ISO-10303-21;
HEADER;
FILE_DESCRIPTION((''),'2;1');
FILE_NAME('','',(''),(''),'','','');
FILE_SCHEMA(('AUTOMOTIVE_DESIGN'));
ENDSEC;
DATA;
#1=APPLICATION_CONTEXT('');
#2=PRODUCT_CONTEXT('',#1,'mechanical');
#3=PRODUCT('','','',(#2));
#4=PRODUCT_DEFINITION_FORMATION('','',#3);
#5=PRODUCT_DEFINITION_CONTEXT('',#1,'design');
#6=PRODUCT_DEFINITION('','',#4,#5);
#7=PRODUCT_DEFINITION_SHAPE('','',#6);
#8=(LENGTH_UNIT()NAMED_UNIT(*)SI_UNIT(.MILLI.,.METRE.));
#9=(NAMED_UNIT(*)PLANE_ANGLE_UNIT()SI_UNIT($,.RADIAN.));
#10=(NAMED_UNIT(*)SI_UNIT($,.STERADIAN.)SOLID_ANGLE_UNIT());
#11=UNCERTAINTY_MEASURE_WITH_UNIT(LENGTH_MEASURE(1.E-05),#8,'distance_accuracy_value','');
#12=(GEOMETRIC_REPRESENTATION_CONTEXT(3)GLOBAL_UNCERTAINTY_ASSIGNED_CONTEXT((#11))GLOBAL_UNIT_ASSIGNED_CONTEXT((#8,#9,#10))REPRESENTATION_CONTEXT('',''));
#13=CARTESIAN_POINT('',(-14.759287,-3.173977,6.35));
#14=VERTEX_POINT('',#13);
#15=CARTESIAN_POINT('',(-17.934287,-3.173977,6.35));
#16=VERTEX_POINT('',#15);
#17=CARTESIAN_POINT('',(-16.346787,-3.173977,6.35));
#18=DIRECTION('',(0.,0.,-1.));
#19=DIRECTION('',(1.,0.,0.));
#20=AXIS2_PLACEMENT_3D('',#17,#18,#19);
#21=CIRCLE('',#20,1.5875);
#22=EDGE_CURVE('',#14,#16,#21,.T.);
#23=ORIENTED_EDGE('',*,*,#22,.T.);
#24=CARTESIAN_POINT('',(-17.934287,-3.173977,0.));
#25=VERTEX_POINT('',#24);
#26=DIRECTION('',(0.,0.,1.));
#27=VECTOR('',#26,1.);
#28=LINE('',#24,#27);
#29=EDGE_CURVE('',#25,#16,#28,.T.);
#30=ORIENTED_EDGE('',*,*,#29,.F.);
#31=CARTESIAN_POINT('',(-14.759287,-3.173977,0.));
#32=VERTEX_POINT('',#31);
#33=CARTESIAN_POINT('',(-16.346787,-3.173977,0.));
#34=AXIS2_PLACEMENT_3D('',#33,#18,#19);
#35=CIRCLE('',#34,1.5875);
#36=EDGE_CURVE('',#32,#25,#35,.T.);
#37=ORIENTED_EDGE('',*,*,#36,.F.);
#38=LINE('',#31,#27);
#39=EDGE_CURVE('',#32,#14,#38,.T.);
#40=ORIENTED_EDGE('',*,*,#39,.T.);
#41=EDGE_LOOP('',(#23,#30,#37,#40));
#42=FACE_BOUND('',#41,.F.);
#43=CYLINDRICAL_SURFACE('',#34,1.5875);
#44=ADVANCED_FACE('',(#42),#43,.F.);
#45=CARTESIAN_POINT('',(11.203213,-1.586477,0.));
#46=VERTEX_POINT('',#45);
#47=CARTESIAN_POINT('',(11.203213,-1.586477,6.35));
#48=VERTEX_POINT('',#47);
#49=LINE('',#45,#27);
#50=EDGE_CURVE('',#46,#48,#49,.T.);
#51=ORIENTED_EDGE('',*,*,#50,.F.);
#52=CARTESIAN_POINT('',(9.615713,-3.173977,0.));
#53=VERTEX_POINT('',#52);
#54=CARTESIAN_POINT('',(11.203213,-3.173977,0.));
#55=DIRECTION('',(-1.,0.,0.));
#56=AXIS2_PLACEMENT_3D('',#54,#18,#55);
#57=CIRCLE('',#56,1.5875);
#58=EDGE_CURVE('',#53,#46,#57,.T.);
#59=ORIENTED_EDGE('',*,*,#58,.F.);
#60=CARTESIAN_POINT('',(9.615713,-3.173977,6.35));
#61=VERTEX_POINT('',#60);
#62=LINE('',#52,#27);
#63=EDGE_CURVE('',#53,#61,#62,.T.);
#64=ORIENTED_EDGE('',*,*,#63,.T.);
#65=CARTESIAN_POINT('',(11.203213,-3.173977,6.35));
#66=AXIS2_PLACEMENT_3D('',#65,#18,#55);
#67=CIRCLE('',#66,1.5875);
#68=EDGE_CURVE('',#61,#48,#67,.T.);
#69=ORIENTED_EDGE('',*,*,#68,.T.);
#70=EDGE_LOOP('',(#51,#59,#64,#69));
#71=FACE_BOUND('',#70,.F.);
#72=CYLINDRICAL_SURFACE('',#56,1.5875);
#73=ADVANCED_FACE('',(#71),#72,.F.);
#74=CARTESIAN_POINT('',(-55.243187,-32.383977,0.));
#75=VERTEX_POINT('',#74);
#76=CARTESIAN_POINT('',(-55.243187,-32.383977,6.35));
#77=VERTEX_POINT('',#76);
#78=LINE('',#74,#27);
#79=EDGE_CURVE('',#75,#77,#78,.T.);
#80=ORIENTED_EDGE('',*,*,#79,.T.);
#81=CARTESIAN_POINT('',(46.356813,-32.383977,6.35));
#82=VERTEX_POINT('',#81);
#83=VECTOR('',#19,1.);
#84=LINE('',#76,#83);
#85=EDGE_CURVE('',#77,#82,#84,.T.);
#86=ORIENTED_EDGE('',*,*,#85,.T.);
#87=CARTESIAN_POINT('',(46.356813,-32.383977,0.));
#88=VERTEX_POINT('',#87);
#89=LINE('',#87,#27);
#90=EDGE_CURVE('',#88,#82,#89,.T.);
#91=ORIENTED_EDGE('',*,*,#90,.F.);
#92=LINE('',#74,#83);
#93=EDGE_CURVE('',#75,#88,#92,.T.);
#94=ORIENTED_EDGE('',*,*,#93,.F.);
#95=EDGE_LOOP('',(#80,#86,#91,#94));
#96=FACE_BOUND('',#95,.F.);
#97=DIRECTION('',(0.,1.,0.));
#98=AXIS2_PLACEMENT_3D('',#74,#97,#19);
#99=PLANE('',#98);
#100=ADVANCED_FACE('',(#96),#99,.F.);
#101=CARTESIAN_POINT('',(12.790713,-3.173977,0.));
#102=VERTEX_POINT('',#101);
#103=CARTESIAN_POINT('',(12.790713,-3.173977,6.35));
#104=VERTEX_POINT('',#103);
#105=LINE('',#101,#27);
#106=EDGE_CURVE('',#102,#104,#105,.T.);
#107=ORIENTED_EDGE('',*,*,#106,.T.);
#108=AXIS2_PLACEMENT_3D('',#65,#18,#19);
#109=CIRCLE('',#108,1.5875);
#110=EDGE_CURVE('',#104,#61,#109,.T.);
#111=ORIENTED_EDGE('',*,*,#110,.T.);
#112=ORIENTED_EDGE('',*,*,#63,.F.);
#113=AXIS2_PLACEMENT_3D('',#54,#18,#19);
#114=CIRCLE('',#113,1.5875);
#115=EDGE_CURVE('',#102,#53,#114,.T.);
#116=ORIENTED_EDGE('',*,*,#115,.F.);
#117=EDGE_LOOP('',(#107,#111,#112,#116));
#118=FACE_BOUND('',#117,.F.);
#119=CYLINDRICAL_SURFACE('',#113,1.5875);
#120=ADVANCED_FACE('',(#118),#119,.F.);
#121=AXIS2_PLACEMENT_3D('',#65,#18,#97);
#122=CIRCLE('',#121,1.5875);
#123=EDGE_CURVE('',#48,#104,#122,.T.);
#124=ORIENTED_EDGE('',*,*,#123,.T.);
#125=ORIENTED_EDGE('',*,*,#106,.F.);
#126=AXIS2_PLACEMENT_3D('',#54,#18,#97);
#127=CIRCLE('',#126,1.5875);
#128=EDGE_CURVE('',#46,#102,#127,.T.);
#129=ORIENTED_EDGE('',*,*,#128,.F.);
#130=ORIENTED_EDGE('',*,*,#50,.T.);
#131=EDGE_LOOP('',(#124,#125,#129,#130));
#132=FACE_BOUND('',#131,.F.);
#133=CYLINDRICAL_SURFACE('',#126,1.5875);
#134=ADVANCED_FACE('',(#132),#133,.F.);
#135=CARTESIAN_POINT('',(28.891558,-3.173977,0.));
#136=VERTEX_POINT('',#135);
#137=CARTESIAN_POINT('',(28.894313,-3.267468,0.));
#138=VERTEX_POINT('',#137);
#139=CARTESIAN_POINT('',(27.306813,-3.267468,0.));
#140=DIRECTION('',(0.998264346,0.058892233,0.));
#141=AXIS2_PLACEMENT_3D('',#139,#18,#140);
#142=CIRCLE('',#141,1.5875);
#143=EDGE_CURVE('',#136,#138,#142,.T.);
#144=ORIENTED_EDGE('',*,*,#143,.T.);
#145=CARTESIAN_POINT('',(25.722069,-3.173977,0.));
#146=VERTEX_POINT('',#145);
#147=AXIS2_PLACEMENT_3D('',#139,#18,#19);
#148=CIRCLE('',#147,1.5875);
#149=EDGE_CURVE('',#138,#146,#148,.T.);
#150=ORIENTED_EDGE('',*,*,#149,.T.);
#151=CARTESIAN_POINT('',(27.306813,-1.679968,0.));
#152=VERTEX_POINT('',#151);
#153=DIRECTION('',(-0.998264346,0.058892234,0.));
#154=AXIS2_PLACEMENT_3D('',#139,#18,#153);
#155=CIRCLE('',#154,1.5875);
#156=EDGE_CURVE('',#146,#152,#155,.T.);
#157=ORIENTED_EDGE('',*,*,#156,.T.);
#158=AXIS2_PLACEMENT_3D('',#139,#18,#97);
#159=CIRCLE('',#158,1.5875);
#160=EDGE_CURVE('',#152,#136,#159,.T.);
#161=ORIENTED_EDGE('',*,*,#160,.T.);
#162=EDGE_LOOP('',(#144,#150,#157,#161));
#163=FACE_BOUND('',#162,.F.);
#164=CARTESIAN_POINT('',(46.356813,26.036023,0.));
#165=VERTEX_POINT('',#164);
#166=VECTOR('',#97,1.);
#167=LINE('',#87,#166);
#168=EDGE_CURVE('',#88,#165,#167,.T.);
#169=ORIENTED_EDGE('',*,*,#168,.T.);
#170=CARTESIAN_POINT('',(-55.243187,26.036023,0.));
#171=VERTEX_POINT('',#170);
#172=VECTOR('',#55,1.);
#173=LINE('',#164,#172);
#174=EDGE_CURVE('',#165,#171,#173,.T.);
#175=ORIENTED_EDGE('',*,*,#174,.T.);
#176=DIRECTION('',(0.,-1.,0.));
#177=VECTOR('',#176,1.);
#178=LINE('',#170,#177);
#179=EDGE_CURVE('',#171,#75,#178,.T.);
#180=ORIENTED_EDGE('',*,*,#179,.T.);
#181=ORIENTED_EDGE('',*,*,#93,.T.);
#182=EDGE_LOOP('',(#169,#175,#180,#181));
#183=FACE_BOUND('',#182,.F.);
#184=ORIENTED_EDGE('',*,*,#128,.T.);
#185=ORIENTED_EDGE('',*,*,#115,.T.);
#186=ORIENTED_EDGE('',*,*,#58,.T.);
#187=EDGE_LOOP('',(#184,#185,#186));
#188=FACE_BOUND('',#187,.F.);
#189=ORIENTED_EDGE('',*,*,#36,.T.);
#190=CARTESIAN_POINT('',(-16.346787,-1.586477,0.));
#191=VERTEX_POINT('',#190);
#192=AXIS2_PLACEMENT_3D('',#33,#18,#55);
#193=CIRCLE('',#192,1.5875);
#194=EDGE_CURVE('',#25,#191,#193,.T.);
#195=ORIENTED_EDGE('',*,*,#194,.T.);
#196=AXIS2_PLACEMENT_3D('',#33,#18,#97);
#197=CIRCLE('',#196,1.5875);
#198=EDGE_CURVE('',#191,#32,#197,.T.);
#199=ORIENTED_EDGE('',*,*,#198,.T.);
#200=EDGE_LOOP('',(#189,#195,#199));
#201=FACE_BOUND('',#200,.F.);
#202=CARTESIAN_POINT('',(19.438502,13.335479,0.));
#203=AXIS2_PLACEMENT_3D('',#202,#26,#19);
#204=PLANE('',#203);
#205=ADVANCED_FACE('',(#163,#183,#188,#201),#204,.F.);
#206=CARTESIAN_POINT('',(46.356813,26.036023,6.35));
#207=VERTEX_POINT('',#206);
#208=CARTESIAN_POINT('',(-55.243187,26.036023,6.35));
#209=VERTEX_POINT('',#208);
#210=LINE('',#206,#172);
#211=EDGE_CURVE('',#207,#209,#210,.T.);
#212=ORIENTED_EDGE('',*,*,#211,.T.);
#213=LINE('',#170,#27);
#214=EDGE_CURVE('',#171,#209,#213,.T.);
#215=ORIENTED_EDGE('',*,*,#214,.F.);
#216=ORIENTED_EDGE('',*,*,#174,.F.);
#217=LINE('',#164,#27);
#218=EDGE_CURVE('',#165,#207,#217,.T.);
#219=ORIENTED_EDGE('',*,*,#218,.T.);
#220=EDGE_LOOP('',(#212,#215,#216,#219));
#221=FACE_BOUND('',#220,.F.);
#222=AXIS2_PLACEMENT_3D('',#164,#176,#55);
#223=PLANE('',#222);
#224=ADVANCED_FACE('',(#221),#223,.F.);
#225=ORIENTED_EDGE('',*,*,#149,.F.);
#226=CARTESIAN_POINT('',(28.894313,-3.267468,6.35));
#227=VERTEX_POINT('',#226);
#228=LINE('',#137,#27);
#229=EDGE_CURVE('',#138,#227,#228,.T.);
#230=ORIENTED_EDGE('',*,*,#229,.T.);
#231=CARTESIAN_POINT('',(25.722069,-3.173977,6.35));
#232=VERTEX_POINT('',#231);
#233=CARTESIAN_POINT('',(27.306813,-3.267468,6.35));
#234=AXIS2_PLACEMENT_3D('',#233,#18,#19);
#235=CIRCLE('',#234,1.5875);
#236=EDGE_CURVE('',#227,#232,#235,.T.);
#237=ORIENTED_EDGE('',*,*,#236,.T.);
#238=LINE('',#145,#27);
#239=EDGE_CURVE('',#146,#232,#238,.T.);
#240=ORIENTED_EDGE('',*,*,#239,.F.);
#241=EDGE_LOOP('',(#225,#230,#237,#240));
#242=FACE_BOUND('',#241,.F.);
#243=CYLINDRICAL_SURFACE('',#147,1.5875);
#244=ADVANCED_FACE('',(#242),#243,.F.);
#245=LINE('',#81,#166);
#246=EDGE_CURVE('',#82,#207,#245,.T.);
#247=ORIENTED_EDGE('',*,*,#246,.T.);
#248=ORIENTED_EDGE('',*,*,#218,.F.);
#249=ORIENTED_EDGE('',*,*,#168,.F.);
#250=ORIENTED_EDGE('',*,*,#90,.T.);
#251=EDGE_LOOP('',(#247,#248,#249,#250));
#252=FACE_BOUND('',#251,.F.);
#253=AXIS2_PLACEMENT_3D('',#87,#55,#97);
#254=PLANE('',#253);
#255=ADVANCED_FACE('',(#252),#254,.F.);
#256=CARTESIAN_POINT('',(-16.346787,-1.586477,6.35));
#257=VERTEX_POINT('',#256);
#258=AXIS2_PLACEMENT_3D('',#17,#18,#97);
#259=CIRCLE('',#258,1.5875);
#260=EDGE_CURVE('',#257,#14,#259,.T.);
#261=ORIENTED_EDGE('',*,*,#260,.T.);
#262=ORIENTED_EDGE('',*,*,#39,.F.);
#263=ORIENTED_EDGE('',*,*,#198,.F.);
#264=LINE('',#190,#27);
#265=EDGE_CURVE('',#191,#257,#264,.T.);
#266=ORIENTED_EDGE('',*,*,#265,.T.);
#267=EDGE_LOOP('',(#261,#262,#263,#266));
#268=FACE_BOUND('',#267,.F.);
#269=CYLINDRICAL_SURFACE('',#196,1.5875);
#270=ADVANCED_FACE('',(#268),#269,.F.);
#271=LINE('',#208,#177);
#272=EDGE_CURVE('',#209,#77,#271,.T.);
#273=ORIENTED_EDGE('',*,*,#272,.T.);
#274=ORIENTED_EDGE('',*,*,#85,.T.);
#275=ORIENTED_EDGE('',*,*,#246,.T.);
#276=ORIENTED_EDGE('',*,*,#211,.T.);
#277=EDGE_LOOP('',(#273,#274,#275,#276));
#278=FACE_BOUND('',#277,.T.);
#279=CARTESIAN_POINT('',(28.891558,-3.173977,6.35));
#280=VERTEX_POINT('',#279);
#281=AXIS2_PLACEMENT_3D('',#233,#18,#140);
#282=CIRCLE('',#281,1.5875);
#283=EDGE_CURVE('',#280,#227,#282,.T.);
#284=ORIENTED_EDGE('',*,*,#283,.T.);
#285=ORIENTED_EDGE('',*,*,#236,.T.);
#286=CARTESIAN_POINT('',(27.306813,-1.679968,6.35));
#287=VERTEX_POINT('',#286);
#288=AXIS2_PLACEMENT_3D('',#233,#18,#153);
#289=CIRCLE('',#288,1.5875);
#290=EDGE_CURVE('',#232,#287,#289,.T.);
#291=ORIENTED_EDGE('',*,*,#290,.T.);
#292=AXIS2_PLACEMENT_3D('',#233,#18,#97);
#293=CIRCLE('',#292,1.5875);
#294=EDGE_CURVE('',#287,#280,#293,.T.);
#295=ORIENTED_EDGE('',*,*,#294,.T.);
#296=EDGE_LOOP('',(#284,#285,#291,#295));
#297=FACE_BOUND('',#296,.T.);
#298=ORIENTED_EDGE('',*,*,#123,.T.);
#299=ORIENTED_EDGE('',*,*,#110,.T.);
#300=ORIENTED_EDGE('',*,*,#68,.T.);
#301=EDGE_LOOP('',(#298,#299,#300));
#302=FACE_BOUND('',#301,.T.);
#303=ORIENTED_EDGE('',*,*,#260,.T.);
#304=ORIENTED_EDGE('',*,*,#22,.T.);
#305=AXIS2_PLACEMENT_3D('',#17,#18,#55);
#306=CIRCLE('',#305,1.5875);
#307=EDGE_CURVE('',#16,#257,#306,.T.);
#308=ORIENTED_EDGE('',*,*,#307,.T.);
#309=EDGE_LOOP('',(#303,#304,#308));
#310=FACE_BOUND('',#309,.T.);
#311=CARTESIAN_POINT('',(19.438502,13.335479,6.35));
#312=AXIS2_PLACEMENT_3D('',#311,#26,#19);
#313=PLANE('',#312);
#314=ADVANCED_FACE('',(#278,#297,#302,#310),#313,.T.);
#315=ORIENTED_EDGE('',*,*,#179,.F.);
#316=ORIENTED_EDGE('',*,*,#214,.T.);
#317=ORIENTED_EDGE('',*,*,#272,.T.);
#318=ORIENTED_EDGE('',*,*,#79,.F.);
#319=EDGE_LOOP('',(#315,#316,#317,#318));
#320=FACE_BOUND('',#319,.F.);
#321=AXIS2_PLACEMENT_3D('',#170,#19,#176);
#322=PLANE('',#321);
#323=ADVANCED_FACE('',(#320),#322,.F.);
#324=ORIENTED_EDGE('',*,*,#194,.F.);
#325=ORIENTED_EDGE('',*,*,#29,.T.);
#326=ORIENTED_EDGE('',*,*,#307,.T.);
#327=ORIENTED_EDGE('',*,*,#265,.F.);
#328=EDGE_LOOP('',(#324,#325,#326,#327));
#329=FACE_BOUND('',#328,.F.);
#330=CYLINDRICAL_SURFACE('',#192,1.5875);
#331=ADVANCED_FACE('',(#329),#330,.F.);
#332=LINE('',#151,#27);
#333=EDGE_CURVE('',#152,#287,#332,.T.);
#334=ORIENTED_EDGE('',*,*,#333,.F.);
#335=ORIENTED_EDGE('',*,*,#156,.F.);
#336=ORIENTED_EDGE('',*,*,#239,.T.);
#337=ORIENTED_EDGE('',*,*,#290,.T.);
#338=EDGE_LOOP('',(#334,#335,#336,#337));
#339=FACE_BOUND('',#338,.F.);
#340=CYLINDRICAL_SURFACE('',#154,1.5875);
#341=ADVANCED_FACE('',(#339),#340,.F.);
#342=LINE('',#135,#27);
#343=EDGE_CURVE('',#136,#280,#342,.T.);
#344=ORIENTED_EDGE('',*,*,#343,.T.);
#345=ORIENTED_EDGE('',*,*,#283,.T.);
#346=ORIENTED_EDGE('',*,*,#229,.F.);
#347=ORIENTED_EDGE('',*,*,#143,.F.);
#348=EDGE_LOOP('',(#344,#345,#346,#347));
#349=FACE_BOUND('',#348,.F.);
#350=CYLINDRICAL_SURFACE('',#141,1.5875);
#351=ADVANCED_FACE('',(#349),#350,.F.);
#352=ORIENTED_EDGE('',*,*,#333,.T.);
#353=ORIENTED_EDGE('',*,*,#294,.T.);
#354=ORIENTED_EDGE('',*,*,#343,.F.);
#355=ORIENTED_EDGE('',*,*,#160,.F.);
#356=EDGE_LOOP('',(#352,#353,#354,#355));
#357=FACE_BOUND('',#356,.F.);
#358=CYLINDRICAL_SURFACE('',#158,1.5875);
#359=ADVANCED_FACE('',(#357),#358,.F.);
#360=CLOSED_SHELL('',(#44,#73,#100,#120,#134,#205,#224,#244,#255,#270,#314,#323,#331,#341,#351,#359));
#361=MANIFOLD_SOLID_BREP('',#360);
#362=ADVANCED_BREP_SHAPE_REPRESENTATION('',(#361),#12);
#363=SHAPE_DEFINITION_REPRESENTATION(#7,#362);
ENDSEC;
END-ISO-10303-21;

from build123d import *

# Parameters (mm, degrees)
F1_DEPTH = 6.35


with BuildPart() as f1:
    # F0 (on Top) → F1 (new body)
    with BuildSketch(Plane.XY):
        with BuildLine():
            ThreePointArc((11.2032132386, 5.3260231485), (17.2136208787, 2.8364307886), (19.7032132386, -3.1739768515))
            Line((19.7032132386, -3.1739768515), (20.1573244902, -3.1739768515))
            ThreePointArc((20.1573244902, -3.1739768515), (22.2840920141, 1.8213627827), (27.3068132386, 3.8826317272))
            Line((27.3068132386, 3.8826317272), (27.3068132386, 26.0360231485))
            Line((27.3068132386, 26.0360231485), (11.2032132386, 26.0360231485))
            Line((11.2032132386, 26.0360231485), (11.2032132386, 5.3260231485))
        make_face()
        with BuildLine():
            ThreePointArc((27.3068132386, 3.8826317272), (22.2840920141, 1.8213627827), (20.1573244902, -3.1739768515))
            Line((20.1573244902, -3.1739768515), (25.7220685891, -3.1739768515))
            ThreePointArc((25.7220685891, -3.1739768515), (26.217836972, -2.1123548841), (27.3068132386, -1.6799682728))
            Line((27.3068132386, -1.6799682728), (27.3068132386, 3.8826317272))
        make_face()
        with BuildLine():
            ThreePointArc((-35.3967867614, -3.1739768515), (-16.3467867614, -22.2239768515), (2.7032132386, -3.1739768515))
            Line((2.7032132386, -3.1739768515), (-14.7592867614, -3.1739768515))
            ThreePointArc((-14.7592867614, -3.1739768515), (-16.3467867614, -4.7614768515), (-17.9342867614, -3.1739768515))
            Line((-17.9342867614, -3.1739768515), (-35.3967867614, -3.1739768515))
        make_face()
        with BuildLine():
            ThreePointArc((19.7032132386, -3.1739768515), (11.2032132386, -11.6739768515), (2.7032132386, -3.1739768515))
            ThreePointArc((2.7032132386, -3.1739768515), (-16.3467867614, -22.2239768515), (-35.3967867614, -3.1739768515))
            Line((-35.3967867614, -3.1739768515), (-55.2431867614, -3.1739768515))
            Line((-55.2431867614, -3.1739768515), (-55.2431867614, -32.3839768515))
            Line((-55.2431867614, -32.3839768515), (46.3568132386, -32.3839768515))
            Line((46.3568132386, -32.3839768515), (46.3568132386, -3.1739768515))
            Line((46.3568132386, -3.1739768515), (34.4563019871, -3.1739768515))
            ThreePointArc((34.4563019871, -3.1739768515), (34.4567604241, -3.220721563), (34.4569132386, -3.2674682728))
            ThreePointArc((34.4569132386, -3.2674682728), (27.2600665289, -10.4174154582), (20.1573244902, -3.1739768515))
            Line((20.1573244902, -3.1739768515), (19.7032132386, -3.1739768515))
        make_face()
        with BuildLine():
            Line((25.7220685891, -3.1739768515), (20.1573244902, -3.1739768515))
            ThreePointArc((20.1573244902, -3.1739768515), (27.2600665289, -10.4174154582), (34.4569132386, -3.2674682728))
            ThreePointArc((34.4569132386, -3.2674682728), (34.4567604241, -3.220721563), (34.4563019871, -3.1739768515))
            Line((34.4563019871, -3.1739768515), (28.8915578882, -3.1739768515))
            ThreePointArc((28.8915578882, -3.1739768515), (28.8936242515, -3.2207022653), (28.8943132386, -3.2674682728))
            ThreePointArc((28.8943132386, -3.2674682728), (27.2600472312, -4.8542792856), (25.7220685891, -3.1739768515))
        make_face()
        with BuildLine():
            Line((12.7907132386, -3.1739768515), (19.7032132386, -3.1739768515))
            ThreePointArc((19.7032132386, -3.1739768515), (17.2136208787, 2.8364307886), (11.2032132386, 5.3260231485))
            Line((11.2032132386, 5.3260231485), (11.2032132386, -1.5864768515))
            ThreePointArc((11.2032132386, -1.5864768515), (12.3257452538, -2.0514448364), (12.7907132386, -3.1739768515))
        make_face()
        with BuildLine():
            ThreePointArc((34.4563019871, -3.1739768515), (32.3295344632, 1.8213627827), (27.3068132386, 3.8826317272))
            Line((27.3068132386, 3.8826317272), (27.3068132386, -1.6799682728))
            ThreePointArc((27.3068132386, -1.6799682728), (28.3957895053, -2.1123548841), (28.8915578882, -3.1739768515))
            Line((28.8915578882, -3.1739768515), (34.4563019871, -3.1739768515))
        make_face()
        with BuildLine():
            Line((-16.3467867614, -1.5864768515), (-16.3467867614, 15.8760231485))
            ThreePointArc((-16.3467867614, 15.8760231485), (-29.817170943, 10.2964073301), (-35.3967867614, -3.1739768515))
            Line((-35.3967867614, -3.1739768515), (-17.9342867614, -3.1739768515))
            ThreePointArc((-17.9342867614, -3.1739768515), (-17.4693187765, -2.0514448364), (-16.3467867614, -1.5864768515))
        make_face()
        with BuildLine():
            ThreePointArc((11.2032132386, 5.3260231485), (5.1928055986, 2.8364307886), (2.7032132386, -3.1739768515))
            Line((2.7032132386, -3.1739768515), (9.6157132386, -3.1739768515))
            ThreePointArc((9.6157132386, -3.1739768515), (10.0806812235, -2.0514448364), (11.2032132386, -1.5864768515))
            Line((11.2032132386, -1.5864768515), (11.2032132386, 5.3260231485))
        make_face()
        with BuildLine():
            Line((9.6157132386, -3.1739768515), (2.7032132386, -3.1739768515))
            ThreePointArc((2.7032132386, -3.1739768515), (11.2032132386, -11.6739768515), (19.7032132386, -3.1739768515))
            Line((19.7032132386, -3.1739768515), (12.7907132386, -3.1739768515))
            ThreePointArc((12.7907132386, -3.1739768515), (11.2032132386, -4.7614768515), (9.6157132386, -3.1739768515))
        make_face()
        with BuildLine():
            ThreePointArc((-35.3967867614, -3.1739768515), (-29.817170943, 10.2964073301), (-16.3467867614, 15.8760231485))
            Line((-16.3467867614, 15.8760231485), (-16.3467867614, 26.0360231485))
            Line((-16.3467867614, 26.0360231485), (-55.2431867614, 26.0360231485))
            Line((-55.2431867614, 26.0360231485), (-55.2431867614, -3.1739768515))
            Line((-55.2431867614, -3.1739768515), (-35.3967867614, -3.1739768515))
        make_face()
        with BuildLine():
            Line((27.3068132386, 26.0360231485), (27.3068132386, 3.8826317272))
            ThreePointArc((27.3068132386, 3.8826317272), (32.3295344632, 1.8213627827), (34.4563019871, -3.1739768515))
            Line((34.4563019871, -3.1739768515), (46.3568132386, -3.1739768515))
            Line((46.3568132386, -3.1739768515), (46.3568132386, 26.0360231485))
            Line((46.3568132386, 26.0360231485), (27.3068132386, 26.0360231485))
        make_face()
        with BuildLine():
            ThreePointArc((-16.3467867614, 15.8760231485), (-2.8764025798, 10.2964073301), (2.7032132386, -3.1739768515))
            ThreePointArc((2.7032132386, -3.1739768515), (5.1928055986, 2.8364307886), (11.2032132386, 5.3260231485))
            Line((11.2032132386, 5.3260231485), (11.2032132386, 26.0360231485))
            Line((11.2032132386, 26.0360231485), (-16.3467867614, 26.0360231485))
            Line((-16.3467867614, 26.0360231485), (-16.3467867614, 15.8760231485))
        make_face()
        with BuildLine():
            Line((-14.7592867614, -3.1739768515), (2.7032132386, -3.1739768515))
            ThreePointArc((2.7032132386, -3.1739768515), (-2.8764025798, 10.2964073301), (-16.3467867614, 15.8760231485))
            Line((-16.3467867614, 15.8760231485), (-16.3467867614, -1.5864768515))
            ThreePointArc((-16.3467867614, -1.5864768515), (-15.2242547462, -2.0514448364), (-14.7592867614, -3.1739768515))
        make_face()
    extrude(amount=F1_DEPTH)


solid = f1.part
